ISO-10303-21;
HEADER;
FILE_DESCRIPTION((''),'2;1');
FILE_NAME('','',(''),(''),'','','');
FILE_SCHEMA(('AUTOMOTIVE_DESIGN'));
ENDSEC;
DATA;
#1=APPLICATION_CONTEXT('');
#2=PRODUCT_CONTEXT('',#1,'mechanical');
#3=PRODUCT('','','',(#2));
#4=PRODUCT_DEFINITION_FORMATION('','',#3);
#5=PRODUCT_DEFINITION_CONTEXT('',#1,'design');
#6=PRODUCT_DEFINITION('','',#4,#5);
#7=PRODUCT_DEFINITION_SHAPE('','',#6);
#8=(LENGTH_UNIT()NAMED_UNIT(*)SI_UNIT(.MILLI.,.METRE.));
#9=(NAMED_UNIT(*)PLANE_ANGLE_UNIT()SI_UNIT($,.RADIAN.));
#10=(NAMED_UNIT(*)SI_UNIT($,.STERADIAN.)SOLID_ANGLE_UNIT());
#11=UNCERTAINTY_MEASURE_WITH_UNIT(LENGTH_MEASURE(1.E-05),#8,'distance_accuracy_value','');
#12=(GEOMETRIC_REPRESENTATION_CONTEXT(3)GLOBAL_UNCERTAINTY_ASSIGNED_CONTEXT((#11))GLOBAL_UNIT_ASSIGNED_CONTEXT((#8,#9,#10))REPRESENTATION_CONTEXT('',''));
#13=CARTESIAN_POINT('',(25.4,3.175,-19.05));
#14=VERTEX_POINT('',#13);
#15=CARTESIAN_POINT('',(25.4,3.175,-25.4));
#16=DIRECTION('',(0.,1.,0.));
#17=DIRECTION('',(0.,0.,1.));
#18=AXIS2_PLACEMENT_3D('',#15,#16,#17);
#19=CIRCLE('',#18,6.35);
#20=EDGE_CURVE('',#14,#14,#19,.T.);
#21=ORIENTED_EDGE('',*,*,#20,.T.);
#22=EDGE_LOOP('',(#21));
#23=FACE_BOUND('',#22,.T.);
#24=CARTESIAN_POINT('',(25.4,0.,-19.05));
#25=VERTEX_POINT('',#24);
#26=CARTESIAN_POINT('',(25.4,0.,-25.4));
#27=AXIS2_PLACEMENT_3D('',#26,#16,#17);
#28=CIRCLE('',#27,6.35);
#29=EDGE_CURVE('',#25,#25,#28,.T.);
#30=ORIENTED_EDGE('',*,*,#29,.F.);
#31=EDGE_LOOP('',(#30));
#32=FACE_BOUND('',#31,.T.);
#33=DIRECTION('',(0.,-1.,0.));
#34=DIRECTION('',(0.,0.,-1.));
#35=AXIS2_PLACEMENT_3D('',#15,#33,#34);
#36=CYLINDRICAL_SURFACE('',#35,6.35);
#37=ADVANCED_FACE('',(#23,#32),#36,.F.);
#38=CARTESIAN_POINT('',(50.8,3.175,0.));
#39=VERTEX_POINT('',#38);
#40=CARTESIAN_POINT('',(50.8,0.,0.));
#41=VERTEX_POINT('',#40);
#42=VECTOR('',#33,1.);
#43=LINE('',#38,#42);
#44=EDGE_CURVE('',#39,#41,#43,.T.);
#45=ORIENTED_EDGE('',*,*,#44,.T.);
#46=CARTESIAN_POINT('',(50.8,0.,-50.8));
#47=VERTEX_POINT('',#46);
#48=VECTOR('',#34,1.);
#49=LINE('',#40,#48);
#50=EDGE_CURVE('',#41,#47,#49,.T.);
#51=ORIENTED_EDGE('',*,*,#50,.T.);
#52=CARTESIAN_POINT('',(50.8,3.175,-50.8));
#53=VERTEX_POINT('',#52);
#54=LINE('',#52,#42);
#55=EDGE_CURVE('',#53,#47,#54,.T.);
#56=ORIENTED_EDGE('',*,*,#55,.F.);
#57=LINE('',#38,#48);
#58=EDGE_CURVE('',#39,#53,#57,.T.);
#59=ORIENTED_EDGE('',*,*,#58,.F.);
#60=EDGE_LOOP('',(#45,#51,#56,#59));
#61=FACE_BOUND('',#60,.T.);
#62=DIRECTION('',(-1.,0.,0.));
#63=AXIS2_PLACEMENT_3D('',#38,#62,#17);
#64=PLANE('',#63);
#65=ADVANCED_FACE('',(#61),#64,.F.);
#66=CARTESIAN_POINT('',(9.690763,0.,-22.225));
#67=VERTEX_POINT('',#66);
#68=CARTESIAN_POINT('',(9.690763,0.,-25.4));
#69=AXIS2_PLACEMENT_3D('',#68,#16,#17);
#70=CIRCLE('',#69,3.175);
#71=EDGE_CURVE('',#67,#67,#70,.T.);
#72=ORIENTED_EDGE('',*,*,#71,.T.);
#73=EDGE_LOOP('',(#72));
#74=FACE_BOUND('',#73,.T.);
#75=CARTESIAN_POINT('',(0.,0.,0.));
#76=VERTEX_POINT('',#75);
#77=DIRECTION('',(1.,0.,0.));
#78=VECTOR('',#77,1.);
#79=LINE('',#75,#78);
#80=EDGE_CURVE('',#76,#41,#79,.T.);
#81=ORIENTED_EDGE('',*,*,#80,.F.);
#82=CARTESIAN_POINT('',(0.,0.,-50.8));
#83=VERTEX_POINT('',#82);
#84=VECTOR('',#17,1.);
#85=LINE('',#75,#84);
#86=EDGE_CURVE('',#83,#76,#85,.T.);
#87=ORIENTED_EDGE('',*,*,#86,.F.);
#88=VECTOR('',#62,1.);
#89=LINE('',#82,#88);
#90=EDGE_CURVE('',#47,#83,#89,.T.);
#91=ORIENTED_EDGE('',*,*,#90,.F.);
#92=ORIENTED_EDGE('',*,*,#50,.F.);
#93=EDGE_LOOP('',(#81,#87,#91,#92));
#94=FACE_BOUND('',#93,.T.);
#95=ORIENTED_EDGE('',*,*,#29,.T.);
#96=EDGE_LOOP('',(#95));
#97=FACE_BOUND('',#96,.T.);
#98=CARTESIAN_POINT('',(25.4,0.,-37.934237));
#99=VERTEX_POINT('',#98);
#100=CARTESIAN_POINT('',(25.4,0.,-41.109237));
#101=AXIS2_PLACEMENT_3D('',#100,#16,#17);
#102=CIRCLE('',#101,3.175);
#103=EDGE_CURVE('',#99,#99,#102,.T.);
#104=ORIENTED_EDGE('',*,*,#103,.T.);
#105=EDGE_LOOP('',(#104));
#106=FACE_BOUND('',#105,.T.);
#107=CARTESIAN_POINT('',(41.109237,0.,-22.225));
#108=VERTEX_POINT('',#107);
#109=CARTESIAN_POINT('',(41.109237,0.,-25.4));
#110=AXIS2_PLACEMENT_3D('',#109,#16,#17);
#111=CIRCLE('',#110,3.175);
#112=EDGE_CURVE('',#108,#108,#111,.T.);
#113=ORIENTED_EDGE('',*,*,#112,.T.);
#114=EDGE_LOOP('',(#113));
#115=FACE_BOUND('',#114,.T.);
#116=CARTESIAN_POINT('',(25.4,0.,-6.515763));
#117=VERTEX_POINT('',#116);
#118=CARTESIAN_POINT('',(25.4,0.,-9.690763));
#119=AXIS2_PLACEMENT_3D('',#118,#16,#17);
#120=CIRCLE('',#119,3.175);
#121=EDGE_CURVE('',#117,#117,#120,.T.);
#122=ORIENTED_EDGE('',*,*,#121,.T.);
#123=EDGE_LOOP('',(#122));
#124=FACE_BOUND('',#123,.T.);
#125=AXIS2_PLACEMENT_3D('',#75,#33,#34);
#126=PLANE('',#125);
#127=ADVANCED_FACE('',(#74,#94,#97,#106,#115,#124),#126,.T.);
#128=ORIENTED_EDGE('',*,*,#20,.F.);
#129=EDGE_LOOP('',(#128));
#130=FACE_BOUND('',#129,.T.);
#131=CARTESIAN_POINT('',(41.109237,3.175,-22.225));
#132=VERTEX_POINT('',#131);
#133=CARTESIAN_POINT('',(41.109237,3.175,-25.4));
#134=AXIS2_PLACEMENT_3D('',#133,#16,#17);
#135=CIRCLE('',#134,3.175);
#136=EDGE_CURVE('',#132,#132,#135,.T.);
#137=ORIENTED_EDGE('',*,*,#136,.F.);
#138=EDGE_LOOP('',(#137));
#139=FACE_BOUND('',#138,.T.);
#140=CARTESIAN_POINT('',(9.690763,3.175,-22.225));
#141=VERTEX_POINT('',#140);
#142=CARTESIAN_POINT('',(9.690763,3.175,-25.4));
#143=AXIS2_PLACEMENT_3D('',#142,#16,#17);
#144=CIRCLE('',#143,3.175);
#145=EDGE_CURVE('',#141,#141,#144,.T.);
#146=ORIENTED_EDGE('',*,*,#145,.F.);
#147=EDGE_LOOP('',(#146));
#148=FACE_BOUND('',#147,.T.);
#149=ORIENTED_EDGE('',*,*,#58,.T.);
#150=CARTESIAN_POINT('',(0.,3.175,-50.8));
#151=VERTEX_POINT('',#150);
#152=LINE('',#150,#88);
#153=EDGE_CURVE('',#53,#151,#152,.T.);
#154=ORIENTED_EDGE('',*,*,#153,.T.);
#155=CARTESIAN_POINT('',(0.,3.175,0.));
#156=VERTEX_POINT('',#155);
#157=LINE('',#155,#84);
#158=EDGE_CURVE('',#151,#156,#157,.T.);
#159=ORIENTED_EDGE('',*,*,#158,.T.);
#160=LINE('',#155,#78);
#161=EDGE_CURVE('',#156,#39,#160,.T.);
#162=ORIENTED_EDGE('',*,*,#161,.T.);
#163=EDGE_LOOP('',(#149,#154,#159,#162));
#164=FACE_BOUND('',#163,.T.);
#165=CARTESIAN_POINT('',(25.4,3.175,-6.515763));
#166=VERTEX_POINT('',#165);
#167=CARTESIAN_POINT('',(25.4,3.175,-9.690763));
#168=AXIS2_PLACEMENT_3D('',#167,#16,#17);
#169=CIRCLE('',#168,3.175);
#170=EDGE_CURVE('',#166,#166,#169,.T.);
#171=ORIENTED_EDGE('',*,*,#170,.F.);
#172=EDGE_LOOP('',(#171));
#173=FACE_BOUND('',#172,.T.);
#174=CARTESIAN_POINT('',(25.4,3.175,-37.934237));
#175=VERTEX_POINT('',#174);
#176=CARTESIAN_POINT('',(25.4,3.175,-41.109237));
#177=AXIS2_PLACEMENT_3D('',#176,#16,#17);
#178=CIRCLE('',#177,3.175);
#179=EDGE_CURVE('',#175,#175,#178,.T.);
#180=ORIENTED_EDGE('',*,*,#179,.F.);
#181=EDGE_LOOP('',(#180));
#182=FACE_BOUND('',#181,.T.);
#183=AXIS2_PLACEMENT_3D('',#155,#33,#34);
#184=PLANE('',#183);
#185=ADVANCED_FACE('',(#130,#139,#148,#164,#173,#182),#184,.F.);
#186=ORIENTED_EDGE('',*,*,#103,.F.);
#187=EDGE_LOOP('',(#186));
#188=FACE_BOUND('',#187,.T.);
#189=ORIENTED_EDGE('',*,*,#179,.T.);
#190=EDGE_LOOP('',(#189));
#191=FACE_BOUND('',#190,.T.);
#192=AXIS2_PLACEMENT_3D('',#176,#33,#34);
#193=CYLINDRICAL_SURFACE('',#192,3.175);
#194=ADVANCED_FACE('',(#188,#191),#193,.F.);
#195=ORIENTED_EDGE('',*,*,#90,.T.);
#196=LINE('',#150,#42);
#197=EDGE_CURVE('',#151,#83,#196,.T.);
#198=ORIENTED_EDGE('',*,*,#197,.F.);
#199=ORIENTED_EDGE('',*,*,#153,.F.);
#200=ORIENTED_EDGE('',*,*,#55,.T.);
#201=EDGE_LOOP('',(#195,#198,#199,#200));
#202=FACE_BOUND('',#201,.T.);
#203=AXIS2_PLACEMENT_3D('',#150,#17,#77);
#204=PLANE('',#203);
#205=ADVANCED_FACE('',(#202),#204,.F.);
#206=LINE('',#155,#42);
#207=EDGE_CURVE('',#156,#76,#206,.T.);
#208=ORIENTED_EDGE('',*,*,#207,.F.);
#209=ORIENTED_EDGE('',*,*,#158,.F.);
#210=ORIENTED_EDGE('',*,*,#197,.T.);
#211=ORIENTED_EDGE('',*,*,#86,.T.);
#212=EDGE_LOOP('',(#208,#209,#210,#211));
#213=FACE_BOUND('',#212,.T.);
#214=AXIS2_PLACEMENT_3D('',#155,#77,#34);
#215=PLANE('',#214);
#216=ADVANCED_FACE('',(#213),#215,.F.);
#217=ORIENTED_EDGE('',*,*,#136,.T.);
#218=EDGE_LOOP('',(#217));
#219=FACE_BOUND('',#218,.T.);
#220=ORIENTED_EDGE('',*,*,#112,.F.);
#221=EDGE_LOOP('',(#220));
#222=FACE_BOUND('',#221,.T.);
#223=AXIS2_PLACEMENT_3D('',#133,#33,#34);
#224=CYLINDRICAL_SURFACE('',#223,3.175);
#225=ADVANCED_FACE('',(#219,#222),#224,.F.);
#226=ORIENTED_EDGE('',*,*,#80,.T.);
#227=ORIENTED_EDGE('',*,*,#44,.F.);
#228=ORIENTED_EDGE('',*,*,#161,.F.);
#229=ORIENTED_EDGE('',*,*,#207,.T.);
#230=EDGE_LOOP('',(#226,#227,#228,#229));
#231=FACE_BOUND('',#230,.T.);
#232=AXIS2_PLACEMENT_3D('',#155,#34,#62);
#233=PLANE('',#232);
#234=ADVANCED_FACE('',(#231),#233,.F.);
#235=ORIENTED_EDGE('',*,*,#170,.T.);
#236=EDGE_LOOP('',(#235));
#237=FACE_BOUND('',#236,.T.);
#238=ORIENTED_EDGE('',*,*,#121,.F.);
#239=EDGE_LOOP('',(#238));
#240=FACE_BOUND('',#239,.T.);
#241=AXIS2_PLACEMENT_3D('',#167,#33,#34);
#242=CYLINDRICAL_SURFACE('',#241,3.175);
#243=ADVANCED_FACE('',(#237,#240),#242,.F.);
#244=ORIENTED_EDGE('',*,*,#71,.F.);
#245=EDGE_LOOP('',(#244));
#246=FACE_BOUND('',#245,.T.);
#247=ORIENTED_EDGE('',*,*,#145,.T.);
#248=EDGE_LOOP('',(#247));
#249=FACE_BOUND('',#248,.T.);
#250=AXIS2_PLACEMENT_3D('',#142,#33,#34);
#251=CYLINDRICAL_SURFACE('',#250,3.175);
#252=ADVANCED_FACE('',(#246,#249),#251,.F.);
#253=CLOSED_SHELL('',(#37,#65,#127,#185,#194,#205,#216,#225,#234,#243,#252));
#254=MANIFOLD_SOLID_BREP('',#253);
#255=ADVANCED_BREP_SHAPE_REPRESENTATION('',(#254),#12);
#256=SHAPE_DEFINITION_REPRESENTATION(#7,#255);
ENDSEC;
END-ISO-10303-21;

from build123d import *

# Parameters (mm, degrees)
SKETCH1_W           = 50.8
SKETCH1_H           = 50.8
SKETCH1_R           = 6.35
SKETCH1_R_2         = 3.175
BOSS_EXTRUDE1_DEPTH = 3.175


with BuildPart() as part:
    # Sketch1 → Boss-Extrude1 (new body)
    with BuildSketch(Plane(origin=(0, 0, 0), x_dir=(1, 0, 0), z_dir=(0, 1, 0))):
        with Locations((25.4, 25.4)):
            Rectangle(SKETCH1_W, SKETCH1_H)
        with Locations(Location((25.4, 25.4, 0), (0, 0, 270))):
            Circle(SKETCH1_R, mode=Mode.SUBTRACT)
        with Locations(Location((25.4, 41.109236948, 0), (0, 0, 270))):
            Circle(SKETCH1_R_2, mode=Mode.SUBTRACT)
        with Locations(Location((41.109236948, 25.4, 0), (0, 0, 270))):
            Circle(SKETCH1_R_2, mode=Mode.SUBTRACT)
        with Locations(Location((25.4, 9.690763052, 0), (0, 0, 270))):
            Circle(SKETCH1_R_2, mode=Mode.SUBTRACT)
        with Locations(Location((9.690763052, 25.4, 0), (0, 0, 270))):
            Circle(SKETCH1_R_2, mode=Mode.SUBTRACT)
    extrude(amount=BOSS_EXTRUDE1_DEPTH)


solid = part.part
